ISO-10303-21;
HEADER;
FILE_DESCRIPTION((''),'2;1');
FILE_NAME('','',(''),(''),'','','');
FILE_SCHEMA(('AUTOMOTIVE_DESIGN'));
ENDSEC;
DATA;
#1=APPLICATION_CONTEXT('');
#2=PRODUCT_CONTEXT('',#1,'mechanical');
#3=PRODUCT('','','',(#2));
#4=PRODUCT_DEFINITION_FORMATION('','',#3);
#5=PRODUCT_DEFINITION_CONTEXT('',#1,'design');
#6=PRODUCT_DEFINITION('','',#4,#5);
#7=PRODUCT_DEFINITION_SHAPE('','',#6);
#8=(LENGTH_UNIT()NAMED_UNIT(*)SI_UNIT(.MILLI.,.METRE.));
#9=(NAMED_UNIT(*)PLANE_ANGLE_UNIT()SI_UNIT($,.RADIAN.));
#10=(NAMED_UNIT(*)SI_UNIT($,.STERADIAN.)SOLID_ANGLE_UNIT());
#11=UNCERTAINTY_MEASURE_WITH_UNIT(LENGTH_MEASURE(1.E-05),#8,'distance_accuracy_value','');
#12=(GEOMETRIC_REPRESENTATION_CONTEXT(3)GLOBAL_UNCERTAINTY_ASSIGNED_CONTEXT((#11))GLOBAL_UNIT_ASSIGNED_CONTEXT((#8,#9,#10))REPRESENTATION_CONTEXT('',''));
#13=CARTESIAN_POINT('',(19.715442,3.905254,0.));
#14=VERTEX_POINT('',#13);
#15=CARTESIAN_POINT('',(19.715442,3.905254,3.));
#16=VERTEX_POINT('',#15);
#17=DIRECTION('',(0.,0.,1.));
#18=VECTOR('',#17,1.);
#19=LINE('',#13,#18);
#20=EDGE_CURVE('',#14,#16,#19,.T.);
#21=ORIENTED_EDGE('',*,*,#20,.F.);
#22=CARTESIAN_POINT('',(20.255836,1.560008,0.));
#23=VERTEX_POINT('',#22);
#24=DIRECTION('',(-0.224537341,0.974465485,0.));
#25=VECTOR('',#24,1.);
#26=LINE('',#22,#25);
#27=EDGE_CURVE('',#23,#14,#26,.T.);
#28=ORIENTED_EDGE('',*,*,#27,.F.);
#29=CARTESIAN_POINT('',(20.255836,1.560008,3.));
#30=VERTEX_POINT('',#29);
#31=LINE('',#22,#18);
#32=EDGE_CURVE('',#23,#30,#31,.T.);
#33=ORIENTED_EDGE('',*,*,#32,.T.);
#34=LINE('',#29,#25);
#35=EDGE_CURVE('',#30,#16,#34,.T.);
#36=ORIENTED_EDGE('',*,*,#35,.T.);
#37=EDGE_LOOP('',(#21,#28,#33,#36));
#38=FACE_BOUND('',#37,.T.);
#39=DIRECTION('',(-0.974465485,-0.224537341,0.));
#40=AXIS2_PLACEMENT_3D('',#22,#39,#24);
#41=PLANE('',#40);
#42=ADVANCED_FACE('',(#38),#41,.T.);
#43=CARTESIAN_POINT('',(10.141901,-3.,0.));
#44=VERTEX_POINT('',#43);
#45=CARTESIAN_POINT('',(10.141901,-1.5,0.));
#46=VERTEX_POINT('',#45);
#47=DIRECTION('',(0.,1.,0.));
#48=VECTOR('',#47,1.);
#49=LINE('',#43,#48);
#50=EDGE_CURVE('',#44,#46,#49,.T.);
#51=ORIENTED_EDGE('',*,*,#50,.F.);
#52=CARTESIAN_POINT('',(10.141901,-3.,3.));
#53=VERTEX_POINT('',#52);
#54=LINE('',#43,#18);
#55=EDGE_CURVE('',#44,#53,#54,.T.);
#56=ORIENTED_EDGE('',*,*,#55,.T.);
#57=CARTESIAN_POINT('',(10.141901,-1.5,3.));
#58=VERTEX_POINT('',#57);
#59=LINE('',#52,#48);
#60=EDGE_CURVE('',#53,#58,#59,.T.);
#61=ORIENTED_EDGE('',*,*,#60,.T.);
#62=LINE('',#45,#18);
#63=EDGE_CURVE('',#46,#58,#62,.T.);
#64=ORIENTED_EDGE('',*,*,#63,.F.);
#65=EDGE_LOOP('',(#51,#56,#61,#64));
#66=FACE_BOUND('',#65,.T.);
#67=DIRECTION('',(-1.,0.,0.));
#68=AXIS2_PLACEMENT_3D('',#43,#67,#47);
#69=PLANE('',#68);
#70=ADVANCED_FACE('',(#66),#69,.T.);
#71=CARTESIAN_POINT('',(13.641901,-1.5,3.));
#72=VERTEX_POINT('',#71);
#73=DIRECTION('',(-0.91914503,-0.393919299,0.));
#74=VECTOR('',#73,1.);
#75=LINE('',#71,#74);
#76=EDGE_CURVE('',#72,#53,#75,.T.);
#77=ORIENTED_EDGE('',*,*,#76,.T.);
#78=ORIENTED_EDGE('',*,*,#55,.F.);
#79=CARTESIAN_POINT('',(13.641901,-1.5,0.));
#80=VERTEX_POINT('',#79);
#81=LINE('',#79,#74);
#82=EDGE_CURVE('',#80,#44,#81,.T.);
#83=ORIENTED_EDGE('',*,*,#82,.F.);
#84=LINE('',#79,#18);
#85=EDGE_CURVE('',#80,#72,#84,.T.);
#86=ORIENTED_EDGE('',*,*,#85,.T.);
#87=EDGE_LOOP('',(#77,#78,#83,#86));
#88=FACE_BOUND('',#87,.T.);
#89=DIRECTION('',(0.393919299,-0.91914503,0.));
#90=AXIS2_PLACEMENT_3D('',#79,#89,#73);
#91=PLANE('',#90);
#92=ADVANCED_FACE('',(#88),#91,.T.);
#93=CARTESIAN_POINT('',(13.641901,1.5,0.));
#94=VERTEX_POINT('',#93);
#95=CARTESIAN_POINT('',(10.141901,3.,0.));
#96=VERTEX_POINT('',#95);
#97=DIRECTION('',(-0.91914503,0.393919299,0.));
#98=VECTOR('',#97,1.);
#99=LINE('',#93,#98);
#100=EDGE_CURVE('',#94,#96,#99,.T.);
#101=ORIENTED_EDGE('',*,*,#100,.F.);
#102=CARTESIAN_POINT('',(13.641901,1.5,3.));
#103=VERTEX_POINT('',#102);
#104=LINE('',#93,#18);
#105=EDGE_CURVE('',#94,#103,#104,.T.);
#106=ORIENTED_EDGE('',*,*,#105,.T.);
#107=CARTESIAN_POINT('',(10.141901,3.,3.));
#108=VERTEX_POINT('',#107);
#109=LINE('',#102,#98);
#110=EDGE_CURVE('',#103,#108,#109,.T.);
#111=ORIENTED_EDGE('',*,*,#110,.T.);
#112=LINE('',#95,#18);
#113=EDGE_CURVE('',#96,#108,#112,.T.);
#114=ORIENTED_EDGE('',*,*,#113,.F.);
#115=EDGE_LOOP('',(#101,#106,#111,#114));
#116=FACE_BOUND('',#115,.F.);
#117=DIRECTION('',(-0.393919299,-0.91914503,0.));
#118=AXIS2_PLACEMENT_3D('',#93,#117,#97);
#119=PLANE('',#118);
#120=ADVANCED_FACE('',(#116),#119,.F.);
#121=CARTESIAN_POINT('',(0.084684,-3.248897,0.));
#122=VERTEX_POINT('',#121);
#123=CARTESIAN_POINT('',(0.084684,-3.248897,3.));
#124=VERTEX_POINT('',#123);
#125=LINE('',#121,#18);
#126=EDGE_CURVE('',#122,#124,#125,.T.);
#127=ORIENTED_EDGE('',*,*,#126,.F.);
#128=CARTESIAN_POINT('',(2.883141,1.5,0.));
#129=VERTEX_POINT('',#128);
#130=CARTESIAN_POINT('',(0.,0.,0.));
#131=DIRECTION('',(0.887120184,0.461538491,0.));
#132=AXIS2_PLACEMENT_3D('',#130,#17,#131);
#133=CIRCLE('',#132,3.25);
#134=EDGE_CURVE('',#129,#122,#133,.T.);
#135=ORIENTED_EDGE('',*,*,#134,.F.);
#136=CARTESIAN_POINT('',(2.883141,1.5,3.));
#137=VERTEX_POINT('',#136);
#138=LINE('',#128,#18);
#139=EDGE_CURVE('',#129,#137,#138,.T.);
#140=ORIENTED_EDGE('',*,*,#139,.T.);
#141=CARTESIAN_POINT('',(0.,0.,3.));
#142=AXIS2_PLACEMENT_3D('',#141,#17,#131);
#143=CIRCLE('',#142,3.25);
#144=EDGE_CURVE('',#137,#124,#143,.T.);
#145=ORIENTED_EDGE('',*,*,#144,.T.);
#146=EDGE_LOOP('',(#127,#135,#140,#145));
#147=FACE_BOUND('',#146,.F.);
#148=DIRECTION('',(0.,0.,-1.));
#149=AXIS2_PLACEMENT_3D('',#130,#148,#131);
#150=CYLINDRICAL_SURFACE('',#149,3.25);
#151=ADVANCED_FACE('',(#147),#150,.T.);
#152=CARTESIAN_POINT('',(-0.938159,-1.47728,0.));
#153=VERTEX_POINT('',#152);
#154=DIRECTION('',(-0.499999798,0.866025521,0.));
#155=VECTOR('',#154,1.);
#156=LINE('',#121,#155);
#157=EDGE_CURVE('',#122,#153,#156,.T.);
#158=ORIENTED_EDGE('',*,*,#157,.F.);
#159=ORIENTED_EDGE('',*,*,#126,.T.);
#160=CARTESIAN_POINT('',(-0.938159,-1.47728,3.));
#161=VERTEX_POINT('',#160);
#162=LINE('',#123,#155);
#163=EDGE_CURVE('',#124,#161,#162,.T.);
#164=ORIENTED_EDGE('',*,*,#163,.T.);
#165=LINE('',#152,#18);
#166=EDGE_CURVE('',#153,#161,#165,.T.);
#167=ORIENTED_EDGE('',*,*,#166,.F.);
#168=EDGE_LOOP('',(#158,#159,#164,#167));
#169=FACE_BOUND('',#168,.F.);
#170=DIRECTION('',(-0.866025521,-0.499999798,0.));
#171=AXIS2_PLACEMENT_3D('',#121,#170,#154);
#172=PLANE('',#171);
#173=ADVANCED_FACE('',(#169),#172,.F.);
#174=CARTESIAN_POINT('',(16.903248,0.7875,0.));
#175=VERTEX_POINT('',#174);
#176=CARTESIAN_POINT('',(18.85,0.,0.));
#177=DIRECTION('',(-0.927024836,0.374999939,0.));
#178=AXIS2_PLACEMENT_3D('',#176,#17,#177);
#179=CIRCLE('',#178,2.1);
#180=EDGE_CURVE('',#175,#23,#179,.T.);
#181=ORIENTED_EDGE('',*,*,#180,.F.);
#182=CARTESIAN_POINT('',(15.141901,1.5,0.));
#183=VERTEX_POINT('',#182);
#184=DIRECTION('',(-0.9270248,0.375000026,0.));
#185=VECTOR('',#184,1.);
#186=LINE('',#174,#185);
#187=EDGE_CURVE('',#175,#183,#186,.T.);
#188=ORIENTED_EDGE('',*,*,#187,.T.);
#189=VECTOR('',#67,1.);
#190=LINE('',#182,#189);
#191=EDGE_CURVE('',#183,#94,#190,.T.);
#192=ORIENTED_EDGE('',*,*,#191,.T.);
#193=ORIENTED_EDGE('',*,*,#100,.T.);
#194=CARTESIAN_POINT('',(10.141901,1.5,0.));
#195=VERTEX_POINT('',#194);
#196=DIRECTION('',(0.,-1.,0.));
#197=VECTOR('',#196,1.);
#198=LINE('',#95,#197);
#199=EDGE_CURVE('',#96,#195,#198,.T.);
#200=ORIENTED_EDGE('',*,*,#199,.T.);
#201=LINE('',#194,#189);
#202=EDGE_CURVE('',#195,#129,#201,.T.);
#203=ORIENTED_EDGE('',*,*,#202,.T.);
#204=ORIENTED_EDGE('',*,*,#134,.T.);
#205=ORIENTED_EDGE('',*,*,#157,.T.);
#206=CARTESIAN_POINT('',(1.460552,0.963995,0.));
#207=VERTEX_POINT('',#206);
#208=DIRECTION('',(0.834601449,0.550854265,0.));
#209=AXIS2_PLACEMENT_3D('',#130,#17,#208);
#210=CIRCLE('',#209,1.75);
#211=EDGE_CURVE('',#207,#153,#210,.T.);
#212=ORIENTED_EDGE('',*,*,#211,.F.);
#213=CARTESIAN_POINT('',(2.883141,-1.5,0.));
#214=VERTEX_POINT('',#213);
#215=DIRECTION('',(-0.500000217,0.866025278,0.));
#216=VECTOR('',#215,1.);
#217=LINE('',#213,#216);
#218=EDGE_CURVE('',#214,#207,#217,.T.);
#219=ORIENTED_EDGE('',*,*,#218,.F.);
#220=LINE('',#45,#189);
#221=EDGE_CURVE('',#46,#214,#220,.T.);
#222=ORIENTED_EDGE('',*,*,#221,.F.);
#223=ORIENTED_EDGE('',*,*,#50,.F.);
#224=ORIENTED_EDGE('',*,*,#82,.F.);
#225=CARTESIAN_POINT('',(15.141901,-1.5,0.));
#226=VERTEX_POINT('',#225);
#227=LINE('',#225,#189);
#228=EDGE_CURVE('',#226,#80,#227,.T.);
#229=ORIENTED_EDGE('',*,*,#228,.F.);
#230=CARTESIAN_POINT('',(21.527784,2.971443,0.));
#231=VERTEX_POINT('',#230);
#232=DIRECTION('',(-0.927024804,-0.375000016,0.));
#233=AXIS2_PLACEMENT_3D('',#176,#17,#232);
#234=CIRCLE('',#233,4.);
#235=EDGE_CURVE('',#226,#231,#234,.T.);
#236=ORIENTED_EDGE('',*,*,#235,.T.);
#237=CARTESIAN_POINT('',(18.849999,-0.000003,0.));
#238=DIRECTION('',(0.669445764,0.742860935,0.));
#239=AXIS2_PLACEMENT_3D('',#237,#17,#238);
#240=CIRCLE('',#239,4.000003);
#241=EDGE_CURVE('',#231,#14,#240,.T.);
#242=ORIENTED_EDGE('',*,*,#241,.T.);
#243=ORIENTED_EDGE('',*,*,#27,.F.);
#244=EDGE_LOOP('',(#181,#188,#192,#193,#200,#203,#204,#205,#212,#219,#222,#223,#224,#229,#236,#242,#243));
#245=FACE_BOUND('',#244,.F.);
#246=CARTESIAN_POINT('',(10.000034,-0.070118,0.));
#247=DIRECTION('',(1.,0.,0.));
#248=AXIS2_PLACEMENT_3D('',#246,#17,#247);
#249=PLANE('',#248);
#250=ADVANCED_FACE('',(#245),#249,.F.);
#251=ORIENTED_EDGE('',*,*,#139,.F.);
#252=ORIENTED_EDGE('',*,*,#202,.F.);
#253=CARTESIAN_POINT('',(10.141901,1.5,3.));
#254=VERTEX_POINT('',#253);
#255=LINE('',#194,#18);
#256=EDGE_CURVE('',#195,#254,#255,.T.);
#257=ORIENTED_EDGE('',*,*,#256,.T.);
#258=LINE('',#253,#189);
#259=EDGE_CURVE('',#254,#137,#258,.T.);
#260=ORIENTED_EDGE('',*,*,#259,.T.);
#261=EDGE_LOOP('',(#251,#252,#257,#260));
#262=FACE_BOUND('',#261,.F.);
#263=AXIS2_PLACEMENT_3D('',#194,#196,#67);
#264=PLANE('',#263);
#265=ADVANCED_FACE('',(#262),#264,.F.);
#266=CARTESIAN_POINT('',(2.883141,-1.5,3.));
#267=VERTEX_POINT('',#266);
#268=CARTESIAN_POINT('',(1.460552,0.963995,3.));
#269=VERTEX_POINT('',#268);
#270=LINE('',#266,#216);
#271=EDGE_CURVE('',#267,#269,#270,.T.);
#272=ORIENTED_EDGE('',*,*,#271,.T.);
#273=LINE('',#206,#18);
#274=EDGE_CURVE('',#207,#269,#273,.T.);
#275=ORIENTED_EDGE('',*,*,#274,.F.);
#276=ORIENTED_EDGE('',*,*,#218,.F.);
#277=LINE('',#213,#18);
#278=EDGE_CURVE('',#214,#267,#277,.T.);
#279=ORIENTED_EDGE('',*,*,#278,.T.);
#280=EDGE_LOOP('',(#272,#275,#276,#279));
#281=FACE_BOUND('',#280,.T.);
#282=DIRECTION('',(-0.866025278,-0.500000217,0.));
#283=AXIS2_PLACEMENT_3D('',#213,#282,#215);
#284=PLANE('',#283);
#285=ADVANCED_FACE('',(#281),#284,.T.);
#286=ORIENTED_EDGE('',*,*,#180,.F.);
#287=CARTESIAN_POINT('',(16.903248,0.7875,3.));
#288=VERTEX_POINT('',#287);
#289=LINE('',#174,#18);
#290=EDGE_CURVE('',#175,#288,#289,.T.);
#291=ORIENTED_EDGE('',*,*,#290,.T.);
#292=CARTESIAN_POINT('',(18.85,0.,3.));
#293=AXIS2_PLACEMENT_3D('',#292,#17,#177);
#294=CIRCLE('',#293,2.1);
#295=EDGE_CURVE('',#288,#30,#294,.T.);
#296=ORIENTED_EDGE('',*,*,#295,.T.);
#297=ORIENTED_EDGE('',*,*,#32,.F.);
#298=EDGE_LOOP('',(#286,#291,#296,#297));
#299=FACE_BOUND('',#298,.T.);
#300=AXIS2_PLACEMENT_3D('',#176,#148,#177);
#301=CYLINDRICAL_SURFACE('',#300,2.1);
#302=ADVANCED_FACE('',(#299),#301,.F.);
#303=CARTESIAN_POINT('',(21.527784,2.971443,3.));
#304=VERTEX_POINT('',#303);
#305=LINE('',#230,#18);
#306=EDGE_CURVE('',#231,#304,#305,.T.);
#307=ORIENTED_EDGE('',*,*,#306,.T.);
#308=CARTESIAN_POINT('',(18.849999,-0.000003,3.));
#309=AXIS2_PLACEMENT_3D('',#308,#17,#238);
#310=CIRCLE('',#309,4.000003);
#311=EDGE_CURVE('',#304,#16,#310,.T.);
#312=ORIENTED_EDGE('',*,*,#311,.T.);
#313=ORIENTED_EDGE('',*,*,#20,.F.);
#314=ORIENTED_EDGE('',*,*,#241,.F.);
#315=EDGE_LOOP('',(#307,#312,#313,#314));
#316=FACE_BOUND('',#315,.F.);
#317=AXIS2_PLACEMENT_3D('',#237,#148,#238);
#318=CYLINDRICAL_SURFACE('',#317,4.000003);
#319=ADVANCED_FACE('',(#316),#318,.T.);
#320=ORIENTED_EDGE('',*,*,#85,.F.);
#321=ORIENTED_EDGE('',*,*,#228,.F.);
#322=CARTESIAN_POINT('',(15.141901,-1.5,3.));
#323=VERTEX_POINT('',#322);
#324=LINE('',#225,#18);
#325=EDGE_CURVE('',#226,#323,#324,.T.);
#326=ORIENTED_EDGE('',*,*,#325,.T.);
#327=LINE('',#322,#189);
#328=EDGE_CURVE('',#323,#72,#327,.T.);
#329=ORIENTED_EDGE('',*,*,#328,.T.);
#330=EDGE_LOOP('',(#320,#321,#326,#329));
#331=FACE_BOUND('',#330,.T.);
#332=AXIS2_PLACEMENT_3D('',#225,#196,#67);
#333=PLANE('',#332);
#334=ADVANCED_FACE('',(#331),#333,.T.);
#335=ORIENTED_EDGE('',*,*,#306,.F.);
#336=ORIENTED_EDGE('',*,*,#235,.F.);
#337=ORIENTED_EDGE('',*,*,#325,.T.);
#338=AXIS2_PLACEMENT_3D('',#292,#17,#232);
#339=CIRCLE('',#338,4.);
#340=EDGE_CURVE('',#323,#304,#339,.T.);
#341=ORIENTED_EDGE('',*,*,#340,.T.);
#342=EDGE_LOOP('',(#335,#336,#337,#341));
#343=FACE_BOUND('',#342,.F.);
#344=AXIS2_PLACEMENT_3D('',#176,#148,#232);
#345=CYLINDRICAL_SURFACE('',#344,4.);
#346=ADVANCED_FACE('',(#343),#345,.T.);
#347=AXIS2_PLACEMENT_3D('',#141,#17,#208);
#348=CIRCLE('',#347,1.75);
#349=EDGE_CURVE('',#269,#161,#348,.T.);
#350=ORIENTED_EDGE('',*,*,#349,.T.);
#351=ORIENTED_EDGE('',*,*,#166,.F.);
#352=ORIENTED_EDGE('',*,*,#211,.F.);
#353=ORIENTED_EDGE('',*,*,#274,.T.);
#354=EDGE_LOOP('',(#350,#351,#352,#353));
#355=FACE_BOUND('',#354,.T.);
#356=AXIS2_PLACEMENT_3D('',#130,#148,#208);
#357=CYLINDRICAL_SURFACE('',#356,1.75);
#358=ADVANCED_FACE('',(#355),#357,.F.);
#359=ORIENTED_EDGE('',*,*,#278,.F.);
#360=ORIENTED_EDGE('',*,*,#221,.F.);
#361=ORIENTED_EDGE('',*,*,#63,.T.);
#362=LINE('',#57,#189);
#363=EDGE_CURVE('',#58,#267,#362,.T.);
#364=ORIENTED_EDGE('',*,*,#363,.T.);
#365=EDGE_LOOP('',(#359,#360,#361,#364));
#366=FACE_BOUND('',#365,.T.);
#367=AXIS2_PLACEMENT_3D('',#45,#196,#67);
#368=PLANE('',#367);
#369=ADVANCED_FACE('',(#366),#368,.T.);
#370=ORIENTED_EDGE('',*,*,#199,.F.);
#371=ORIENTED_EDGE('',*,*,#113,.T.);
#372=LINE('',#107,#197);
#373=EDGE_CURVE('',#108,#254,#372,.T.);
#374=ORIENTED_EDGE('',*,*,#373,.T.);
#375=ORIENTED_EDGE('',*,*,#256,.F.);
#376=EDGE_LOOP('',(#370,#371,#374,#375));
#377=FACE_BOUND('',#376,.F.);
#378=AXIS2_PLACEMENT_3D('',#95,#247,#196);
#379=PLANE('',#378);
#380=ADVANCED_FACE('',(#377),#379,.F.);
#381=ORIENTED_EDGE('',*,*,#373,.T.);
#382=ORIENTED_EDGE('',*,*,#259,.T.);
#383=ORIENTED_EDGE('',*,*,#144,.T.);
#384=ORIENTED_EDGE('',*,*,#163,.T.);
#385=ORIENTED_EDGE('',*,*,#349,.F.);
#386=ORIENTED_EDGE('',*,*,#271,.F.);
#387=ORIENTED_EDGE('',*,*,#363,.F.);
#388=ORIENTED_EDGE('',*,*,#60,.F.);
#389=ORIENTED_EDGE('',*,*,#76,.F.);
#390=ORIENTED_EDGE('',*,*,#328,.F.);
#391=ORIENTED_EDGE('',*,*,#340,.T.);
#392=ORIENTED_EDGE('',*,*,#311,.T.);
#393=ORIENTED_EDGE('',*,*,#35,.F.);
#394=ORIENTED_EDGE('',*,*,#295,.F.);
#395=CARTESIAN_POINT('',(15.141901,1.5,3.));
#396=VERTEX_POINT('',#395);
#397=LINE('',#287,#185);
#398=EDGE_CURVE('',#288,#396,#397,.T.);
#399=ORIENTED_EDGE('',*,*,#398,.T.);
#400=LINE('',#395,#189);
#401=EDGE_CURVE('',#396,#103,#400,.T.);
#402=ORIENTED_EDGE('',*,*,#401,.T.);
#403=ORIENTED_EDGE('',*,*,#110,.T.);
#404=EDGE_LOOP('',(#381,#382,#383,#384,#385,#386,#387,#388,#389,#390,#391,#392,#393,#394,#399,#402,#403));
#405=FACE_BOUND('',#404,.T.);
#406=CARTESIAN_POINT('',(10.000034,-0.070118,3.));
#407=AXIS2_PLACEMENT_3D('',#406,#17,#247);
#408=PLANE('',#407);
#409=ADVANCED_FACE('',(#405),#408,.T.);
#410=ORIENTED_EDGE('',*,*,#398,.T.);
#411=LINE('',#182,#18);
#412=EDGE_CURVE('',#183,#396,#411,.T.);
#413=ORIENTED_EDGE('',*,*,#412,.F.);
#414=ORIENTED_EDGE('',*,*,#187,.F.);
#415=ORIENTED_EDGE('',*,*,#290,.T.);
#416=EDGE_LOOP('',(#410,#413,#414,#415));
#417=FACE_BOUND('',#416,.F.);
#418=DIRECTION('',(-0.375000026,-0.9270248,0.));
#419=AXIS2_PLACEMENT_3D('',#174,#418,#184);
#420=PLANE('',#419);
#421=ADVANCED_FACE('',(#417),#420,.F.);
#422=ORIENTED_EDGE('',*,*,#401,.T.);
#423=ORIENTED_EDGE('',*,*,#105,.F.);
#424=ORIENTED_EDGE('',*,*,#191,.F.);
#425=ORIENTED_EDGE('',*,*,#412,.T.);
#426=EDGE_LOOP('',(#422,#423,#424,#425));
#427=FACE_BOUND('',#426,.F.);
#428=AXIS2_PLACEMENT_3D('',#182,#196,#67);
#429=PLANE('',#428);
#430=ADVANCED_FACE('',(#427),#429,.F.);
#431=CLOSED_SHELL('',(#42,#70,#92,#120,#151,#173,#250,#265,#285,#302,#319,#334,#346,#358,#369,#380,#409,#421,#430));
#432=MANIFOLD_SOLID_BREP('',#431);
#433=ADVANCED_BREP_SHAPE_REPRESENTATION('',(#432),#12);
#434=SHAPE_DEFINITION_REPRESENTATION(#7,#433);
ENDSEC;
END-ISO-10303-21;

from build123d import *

# Parameters (mm, degrees)
PAD_DEPTH = 3


with BuildPart() as part:
    # Sketch → Pad (new body)
    with BuildSketch(Plane.XY):
        with BuildLine():
            ThreePointArc((15.141901, -1.5), (21.144306, -3.276608), (21.527784, 2.971443))
            ThreePointArc((21.527784, 2.971443), (20.682106, 3.555754), (19.715442, 3.905254))
            Line((20.255836, 1.560008), (19.715442, 3.905254))
            ThreePointArc((16.903248, 0.7875), (19.321529, -2.046377), (20.255836, 1.560008))
            Line((16.903248, 0.7875), (15.141901, 1.5))
            Line((15.141901, 1.5), (13.641901, 1.5))
            Line((13.641901, 1.5), (10.141901, 3))
            Line((10.141901, 3), (10.141901, 1.5))
            Line((10.141901, 1.5), (2.883141, 1.5))
            ThreePointArc((2.883141, 1.5), (-2.8, 1.65), (0.084684, -3.248897))
            Line((0.084684, -3.248897), (-0.938159, -1.47728))
            ThreePointArc((1.460552, 0.963995), (-1.248271, 1.226507), (-0.938159, -1.47728))
            Line((2.883141, -1.5), (1.460552, 0.963995))
            Line((10.141901, -1.5), (2.883141, -1.5))
            Line((10.141901, -3), (10.141901, -1.5))
            Line((13.641901, -1.5), (10.141901, -3))
            Line((15.141901, -1.5), (13.641901, -1.5))
        make_face()
    extrude(amount=PAD_DEPTH)


solid = part.part
